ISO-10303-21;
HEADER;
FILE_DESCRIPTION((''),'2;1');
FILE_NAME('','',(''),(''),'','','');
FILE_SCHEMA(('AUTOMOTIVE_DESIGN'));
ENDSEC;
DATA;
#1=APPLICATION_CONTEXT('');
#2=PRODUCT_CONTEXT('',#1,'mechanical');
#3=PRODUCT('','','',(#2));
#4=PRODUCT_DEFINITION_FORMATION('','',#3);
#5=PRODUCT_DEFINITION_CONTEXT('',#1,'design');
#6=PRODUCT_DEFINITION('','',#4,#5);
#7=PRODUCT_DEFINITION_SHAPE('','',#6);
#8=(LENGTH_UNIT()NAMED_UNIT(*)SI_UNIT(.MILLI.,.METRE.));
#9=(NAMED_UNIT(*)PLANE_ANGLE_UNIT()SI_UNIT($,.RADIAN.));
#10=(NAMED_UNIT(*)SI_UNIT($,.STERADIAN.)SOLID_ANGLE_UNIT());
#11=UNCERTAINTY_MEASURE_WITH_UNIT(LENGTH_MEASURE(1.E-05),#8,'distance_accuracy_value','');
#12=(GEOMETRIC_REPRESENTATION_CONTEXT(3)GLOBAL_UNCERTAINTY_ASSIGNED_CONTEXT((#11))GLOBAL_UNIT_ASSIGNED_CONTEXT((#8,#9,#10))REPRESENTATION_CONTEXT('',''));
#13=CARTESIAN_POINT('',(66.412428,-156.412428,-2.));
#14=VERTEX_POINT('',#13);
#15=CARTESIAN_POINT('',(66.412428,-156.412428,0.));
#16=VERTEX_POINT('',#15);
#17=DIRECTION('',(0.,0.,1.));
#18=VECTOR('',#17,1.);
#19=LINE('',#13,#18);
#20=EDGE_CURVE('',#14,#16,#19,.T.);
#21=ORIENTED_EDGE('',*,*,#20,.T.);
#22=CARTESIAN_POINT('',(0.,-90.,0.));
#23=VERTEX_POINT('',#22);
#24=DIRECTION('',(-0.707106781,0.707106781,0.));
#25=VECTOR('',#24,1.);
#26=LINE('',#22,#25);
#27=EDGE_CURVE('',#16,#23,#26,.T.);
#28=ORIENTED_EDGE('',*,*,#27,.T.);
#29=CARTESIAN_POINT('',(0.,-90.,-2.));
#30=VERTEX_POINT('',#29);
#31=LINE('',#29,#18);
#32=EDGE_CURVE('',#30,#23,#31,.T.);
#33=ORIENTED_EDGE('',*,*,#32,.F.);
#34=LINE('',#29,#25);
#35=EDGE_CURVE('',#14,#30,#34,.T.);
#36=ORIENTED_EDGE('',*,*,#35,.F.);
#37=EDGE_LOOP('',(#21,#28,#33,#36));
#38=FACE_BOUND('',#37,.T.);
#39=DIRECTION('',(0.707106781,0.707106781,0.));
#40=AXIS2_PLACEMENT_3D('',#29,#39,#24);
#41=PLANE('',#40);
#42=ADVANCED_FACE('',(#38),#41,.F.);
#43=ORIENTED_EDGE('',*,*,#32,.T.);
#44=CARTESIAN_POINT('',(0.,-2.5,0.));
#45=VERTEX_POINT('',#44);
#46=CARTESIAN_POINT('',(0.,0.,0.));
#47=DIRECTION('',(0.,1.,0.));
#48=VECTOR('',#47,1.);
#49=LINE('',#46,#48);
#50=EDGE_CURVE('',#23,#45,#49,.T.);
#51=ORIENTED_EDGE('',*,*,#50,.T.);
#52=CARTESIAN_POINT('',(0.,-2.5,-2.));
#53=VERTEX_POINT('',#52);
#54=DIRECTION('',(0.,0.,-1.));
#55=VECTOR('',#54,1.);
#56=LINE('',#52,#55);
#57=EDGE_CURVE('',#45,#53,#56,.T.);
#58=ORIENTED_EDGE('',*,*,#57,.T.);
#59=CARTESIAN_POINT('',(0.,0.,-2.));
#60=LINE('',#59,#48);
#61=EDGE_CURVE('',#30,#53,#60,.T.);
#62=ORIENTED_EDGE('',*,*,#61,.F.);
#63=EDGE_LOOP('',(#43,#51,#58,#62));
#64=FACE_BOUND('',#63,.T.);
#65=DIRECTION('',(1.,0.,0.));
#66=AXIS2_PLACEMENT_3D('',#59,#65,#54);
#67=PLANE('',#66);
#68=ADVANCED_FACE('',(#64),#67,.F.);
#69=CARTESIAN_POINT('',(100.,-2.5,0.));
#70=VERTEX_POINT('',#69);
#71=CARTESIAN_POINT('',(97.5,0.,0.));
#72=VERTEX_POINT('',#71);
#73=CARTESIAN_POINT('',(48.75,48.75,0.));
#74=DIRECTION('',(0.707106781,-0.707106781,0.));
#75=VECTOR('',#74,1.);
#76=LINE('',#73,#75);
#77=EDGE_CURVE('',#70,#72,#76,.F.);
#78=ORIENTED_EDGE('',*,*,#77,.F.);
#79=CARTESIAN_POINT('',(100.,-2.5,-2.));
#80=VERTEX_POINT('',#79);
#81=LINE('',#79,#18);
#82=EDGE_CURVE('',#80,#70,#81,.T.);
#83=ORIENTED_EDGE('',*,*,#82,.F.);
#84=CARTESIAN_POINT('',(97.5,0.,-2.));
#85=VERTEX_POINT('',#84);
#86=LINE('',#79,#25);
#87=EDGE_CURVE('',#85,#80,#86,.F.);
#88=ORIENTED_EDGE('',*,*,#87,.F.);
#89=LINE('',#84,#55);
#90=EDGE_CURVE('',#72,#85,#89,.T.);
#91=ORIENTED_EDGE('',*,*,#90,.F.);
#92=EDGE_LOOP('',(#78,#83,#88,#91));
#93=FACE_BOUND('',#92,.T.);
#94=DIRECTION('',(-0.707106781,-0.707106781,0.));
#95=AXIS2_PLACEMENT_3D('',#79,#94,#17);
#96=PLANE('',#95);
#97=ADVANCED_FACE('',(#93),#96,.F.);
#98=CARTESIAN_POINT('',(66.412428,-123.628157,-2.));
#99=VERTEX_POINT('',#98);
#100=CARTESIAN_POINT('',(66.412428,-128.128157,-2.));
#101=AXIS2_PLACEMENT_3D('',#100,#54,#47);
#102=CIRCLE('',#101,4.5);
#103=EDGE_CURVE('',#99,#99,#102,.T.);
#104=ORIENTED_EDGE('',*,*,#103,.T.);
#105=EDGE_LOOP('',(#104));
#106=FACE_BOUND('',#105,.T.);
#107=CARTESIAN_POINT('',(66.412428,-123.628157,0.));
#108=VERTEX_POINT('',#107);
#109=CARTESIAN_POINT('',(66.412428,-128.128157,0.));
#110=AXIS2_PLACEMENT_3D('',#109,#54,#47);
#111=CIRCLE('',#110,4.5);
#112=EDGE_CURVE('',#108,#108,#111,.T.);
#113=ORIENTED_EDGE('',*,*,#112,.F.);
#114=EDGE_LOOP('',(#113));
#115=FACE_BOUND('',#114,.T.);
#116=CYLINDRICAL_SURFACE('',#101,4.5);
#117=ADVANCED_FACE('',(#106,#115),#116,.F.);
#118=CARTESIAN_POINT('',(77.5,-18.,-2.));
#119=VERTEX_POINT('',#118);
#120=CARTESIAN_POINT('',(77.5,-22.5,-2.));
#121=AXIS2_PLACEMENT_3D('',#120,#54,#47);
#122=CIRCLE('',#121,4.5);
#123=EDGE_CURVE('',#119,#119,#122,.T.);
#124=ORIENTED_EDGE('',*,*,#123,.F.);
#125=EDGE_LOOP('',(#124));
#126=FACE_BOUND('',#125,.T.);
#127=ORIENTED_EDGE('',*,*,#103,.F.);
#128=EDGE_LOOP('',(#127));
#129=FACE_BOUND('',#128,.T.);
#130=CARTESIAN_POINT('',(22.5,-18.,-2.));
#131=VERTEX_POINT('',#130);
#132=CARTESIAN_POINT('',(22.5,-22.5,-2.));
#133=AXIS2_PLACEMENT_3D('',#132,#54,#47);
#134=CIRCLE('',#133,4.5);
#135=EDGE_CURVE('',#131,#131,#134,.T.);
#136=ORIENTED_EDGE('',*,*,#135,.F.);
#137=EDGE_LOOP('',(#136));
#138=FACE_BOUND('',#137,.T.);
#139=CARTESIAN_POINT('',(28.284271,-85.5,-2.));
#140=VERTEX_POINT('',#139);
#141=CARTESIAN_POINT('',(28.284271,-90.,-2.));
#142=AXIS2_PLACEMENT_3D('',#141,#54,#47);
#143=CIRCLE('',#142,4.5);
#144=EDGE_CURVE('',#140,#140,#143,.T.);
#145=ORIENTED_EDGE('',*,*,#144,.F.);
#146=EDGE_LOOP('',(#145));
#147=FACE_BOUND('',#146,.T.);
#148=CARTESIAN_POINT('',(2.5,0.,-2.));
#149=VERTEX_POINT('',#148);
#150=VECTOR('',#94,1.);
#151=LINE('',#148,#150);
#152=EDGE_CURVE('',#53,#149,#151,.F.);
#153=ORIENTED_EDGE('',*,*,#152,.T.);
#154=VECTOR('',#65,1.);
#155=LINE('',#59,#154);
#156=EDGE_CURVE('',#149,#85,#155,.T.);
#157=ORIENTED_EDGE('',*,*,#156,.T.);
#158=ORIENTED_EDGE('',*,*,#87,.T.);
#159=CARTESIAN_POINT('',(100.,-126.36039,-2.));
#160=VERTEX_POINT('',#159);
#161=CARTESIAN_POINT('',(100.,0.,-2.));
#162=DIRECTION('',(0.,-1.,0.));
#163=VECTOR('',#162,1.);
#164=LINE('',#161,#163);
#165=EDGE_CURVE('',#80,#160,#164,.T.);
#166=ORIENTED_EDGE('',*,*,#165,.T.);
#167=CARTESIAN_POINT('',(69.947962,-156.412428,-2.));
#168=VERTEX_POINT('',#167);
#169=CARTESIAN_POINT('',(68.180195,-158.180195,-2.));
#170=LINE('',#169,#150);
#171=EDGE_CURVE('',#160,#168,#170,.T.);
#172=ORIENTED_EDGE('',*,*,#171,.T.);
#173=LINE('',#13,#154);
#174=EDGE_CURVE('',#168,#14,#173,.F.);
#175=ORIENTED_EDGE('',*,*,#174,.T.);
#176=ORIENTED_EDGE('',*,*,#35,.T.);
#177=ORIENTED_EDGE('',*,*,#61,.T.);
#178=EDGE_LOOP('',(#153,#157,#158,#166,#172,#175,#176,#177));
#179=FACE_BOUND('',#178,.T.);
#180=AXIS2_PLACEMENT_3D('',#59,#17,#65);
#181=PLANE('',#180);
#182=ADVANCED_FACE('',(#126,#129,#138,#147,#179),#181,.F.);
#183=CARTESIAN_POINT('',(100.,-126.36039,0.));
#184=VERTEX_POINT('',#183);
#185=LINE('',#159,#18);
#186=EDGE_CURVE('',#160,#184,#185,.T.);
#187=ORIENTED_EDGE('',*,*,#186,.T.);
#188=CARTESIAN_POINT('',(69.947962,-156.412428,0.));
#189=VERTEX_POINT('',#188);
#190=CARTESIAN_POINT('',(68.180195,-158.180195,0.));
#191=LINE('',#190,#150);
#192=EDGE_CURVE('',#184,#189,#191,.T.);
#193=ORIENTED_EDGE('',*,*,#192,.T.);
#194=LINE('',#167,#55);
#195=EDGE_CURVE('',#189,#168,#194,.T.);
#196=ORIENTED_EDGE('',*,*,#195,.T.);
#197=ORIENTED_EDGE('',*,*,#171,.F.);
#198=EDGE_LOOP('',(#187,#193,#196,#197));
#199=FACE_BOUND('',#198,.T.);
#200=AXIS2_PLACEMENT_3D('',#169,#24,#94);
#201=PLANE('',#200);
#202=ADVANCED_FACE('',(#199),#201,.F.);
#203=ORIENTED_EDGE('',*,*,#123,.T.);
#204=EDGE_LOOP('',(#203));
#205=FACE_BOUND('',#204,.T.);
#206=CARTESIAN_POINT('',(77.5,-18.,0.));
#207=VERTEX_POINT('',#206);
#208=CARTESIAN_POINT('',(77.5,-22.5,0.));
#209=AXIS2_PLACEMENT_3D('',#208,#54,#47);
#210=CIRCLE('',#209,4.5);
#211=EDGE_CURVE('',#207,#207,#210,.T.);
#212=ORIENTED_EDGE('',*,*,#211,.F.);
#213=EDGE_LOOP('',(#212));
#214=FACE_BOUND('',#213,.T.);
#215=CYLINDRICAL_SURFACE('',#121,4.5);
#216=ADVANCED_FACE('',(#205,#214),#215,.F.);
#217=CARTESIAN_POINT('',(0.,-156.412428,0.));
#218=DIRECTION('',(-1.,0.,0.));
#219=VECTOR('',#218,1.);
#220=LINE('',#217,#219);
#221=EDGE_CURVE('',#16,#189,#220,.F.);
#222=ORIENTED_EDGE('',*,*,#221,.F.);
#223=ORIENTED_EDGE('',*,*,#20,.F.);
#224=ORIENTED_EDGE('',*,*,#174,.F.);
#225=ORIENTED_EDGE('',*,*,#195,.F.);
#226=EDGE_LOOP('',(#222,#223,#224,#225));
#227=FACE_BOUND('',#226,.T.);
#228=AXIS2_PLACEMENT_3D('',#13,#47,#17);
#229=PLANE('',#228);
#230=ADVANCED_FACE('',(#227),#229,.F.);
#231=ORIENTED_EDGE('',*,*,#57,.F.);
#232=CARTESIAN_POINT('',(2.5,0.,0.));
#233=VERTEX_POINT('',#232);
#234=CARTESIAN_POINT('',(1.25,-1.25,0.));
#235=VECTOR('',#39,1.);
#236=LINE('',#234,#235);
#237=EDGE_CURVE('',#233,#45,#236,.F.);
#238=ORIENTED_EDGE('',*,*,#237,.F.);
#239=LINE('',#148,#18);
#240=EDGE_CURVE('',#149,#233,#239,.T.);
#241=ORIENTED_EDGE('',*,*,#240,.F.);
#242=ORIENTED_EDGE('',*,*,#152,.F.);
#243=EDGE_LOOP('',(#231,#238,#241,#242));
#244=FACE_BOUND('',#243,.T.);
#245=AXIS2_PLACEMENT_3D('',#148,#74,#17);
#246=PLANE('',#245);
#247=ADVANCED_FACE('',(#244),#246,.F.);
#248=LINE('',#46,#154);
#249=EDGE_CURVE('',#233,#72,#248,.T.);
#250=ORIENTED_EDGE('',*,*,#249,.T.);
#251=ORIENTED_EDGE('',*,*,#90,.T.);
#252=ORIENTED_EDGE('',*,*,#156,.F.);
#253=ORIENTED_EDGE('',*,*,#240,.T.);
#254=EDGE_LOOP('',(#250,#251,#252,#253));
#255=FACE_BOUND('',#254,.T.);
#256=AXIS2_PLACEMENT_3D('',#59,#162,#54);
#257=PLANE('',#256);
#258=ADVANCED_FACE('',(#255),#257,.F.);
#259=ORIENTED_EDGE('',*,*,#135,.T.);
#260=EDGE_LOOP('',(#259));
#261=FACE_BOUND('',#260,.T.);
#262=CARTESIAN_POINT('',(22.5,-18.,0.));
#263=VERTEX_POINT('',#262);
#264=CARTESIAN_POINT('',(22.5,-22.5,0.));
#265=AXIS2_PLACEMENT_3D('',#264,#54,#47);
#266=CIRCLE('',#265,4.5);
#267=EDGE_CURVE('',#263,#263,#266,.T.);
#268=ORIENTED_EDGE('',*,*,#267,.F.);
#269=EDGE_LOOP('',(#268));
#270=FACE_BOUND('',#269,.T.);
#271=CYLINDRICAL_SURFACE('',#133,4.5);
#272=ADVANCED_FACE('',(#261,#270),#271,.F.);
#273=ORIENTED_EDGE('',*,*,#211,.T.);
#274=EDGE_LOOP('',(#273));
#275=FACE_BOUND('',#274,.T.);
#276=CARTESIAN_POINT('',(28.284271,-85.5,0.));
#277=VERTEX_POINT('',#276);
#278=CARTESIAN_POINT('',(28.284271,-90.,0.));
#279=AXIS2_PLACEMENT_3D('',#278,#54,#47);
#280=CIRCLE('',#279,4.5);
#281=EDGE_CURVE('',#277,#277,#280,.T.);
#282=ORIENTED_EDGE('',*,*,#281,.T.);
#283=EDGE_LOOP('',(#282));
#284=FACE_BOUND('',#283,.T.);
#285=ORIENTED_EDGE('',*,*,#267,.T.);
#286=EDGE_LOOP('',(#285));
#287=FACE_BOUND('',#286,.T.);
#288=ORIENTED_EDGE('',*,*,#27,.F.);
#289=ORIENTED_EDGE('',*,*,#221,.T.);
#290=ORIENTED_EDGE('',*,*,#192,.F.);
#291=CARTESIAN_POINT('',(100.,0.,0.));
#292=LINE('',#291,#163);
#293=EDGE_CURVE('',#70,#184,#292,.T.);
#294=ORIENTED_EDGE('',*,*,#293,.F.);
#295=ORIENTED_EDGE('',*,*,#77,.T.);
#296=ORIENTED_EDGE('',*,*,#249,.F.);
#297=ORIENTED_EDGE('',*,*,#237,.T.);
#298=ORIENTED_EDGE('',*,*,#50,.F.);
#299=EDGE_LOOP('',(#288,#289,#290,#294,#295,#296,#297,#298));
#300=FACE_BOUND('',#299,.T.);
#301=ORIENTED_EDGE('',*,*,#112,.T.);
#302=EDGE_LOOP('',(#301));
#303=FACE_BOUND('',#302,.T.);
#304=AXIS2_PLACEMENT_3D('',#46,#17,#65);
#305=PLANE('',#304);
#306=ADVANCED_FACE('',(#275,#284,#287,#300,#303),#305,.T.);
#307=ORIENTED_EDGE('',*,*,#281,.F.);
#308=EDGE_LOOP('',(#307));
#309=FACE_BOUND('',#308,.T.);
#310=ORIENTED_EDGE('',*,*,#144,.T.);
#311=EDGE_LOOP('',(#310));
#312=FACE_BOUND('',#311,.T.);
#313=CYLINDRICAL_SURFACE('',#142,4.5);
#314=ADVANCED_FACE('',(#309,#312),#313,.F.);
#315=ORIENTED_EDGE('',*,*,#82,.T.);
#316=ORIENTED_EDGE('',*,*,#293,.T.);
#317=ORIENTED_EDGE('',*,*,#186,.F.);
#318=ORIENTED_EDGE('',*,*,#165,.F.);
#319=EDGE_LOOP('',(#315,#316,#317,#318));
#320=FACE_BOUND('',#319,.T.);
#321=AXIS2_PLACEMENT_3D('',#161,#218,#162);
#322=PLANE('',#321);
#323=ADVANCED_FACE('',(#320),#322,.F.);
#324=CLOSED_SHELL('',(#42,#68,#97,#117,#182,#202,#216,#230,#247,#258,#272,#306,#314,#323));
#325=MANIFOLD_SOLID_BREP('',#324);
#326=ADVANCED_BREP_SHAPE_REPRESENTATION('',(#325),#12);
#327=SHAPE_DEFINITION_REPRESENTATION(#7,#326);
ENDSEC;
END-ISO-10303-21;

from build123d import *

# Parameters (mm, degrees)
EXTRUDE_1_DEPTH   = 2
HOLE_WIZARD_M81_D = 9
CHAMFER_1_SIZE    = 2.5


with BuildPart() as part:
    # Эскиз3 → Бобышка-Вытянуть1 (new body)
    with BuildSketch(Plane(origin=(0, 0, 0), x_dir=(1, 0, 0), z_dir=(0, 0, -1))):
        Polygon((0, 0), (100, 0), (100, 126.360389693), (68.180194847, 158.180194847), (0, 90), align=None)
    extrude(amount=EXTRUDE_1_DEPTH)

    # Отверстие с зазором M81 (through all)
    with Locations(Plane(origin=(0, 0, -2), x_dir=(1, 0, 0), z_dir=(0, 0, -1))):
        with Locations((22.5, 22.5), (77.5, 22.5), (28.284271247, 90), (66.412427894, 128.128156646)):
            Hole(HOLE_WIZARD_M81_D / 2)

    # Фаска1
    chamfer_1_edges = [part.edges().sort_by_distance(p)[0] for p in [
        (68.180194847, -158.180194847, -1),
        (100, 0, -1),
        (0, 0, -1),
    ]]
    chamfer(chamfer_1_edges, length=CHAMFER_1_SIZE)


solid = part.part
